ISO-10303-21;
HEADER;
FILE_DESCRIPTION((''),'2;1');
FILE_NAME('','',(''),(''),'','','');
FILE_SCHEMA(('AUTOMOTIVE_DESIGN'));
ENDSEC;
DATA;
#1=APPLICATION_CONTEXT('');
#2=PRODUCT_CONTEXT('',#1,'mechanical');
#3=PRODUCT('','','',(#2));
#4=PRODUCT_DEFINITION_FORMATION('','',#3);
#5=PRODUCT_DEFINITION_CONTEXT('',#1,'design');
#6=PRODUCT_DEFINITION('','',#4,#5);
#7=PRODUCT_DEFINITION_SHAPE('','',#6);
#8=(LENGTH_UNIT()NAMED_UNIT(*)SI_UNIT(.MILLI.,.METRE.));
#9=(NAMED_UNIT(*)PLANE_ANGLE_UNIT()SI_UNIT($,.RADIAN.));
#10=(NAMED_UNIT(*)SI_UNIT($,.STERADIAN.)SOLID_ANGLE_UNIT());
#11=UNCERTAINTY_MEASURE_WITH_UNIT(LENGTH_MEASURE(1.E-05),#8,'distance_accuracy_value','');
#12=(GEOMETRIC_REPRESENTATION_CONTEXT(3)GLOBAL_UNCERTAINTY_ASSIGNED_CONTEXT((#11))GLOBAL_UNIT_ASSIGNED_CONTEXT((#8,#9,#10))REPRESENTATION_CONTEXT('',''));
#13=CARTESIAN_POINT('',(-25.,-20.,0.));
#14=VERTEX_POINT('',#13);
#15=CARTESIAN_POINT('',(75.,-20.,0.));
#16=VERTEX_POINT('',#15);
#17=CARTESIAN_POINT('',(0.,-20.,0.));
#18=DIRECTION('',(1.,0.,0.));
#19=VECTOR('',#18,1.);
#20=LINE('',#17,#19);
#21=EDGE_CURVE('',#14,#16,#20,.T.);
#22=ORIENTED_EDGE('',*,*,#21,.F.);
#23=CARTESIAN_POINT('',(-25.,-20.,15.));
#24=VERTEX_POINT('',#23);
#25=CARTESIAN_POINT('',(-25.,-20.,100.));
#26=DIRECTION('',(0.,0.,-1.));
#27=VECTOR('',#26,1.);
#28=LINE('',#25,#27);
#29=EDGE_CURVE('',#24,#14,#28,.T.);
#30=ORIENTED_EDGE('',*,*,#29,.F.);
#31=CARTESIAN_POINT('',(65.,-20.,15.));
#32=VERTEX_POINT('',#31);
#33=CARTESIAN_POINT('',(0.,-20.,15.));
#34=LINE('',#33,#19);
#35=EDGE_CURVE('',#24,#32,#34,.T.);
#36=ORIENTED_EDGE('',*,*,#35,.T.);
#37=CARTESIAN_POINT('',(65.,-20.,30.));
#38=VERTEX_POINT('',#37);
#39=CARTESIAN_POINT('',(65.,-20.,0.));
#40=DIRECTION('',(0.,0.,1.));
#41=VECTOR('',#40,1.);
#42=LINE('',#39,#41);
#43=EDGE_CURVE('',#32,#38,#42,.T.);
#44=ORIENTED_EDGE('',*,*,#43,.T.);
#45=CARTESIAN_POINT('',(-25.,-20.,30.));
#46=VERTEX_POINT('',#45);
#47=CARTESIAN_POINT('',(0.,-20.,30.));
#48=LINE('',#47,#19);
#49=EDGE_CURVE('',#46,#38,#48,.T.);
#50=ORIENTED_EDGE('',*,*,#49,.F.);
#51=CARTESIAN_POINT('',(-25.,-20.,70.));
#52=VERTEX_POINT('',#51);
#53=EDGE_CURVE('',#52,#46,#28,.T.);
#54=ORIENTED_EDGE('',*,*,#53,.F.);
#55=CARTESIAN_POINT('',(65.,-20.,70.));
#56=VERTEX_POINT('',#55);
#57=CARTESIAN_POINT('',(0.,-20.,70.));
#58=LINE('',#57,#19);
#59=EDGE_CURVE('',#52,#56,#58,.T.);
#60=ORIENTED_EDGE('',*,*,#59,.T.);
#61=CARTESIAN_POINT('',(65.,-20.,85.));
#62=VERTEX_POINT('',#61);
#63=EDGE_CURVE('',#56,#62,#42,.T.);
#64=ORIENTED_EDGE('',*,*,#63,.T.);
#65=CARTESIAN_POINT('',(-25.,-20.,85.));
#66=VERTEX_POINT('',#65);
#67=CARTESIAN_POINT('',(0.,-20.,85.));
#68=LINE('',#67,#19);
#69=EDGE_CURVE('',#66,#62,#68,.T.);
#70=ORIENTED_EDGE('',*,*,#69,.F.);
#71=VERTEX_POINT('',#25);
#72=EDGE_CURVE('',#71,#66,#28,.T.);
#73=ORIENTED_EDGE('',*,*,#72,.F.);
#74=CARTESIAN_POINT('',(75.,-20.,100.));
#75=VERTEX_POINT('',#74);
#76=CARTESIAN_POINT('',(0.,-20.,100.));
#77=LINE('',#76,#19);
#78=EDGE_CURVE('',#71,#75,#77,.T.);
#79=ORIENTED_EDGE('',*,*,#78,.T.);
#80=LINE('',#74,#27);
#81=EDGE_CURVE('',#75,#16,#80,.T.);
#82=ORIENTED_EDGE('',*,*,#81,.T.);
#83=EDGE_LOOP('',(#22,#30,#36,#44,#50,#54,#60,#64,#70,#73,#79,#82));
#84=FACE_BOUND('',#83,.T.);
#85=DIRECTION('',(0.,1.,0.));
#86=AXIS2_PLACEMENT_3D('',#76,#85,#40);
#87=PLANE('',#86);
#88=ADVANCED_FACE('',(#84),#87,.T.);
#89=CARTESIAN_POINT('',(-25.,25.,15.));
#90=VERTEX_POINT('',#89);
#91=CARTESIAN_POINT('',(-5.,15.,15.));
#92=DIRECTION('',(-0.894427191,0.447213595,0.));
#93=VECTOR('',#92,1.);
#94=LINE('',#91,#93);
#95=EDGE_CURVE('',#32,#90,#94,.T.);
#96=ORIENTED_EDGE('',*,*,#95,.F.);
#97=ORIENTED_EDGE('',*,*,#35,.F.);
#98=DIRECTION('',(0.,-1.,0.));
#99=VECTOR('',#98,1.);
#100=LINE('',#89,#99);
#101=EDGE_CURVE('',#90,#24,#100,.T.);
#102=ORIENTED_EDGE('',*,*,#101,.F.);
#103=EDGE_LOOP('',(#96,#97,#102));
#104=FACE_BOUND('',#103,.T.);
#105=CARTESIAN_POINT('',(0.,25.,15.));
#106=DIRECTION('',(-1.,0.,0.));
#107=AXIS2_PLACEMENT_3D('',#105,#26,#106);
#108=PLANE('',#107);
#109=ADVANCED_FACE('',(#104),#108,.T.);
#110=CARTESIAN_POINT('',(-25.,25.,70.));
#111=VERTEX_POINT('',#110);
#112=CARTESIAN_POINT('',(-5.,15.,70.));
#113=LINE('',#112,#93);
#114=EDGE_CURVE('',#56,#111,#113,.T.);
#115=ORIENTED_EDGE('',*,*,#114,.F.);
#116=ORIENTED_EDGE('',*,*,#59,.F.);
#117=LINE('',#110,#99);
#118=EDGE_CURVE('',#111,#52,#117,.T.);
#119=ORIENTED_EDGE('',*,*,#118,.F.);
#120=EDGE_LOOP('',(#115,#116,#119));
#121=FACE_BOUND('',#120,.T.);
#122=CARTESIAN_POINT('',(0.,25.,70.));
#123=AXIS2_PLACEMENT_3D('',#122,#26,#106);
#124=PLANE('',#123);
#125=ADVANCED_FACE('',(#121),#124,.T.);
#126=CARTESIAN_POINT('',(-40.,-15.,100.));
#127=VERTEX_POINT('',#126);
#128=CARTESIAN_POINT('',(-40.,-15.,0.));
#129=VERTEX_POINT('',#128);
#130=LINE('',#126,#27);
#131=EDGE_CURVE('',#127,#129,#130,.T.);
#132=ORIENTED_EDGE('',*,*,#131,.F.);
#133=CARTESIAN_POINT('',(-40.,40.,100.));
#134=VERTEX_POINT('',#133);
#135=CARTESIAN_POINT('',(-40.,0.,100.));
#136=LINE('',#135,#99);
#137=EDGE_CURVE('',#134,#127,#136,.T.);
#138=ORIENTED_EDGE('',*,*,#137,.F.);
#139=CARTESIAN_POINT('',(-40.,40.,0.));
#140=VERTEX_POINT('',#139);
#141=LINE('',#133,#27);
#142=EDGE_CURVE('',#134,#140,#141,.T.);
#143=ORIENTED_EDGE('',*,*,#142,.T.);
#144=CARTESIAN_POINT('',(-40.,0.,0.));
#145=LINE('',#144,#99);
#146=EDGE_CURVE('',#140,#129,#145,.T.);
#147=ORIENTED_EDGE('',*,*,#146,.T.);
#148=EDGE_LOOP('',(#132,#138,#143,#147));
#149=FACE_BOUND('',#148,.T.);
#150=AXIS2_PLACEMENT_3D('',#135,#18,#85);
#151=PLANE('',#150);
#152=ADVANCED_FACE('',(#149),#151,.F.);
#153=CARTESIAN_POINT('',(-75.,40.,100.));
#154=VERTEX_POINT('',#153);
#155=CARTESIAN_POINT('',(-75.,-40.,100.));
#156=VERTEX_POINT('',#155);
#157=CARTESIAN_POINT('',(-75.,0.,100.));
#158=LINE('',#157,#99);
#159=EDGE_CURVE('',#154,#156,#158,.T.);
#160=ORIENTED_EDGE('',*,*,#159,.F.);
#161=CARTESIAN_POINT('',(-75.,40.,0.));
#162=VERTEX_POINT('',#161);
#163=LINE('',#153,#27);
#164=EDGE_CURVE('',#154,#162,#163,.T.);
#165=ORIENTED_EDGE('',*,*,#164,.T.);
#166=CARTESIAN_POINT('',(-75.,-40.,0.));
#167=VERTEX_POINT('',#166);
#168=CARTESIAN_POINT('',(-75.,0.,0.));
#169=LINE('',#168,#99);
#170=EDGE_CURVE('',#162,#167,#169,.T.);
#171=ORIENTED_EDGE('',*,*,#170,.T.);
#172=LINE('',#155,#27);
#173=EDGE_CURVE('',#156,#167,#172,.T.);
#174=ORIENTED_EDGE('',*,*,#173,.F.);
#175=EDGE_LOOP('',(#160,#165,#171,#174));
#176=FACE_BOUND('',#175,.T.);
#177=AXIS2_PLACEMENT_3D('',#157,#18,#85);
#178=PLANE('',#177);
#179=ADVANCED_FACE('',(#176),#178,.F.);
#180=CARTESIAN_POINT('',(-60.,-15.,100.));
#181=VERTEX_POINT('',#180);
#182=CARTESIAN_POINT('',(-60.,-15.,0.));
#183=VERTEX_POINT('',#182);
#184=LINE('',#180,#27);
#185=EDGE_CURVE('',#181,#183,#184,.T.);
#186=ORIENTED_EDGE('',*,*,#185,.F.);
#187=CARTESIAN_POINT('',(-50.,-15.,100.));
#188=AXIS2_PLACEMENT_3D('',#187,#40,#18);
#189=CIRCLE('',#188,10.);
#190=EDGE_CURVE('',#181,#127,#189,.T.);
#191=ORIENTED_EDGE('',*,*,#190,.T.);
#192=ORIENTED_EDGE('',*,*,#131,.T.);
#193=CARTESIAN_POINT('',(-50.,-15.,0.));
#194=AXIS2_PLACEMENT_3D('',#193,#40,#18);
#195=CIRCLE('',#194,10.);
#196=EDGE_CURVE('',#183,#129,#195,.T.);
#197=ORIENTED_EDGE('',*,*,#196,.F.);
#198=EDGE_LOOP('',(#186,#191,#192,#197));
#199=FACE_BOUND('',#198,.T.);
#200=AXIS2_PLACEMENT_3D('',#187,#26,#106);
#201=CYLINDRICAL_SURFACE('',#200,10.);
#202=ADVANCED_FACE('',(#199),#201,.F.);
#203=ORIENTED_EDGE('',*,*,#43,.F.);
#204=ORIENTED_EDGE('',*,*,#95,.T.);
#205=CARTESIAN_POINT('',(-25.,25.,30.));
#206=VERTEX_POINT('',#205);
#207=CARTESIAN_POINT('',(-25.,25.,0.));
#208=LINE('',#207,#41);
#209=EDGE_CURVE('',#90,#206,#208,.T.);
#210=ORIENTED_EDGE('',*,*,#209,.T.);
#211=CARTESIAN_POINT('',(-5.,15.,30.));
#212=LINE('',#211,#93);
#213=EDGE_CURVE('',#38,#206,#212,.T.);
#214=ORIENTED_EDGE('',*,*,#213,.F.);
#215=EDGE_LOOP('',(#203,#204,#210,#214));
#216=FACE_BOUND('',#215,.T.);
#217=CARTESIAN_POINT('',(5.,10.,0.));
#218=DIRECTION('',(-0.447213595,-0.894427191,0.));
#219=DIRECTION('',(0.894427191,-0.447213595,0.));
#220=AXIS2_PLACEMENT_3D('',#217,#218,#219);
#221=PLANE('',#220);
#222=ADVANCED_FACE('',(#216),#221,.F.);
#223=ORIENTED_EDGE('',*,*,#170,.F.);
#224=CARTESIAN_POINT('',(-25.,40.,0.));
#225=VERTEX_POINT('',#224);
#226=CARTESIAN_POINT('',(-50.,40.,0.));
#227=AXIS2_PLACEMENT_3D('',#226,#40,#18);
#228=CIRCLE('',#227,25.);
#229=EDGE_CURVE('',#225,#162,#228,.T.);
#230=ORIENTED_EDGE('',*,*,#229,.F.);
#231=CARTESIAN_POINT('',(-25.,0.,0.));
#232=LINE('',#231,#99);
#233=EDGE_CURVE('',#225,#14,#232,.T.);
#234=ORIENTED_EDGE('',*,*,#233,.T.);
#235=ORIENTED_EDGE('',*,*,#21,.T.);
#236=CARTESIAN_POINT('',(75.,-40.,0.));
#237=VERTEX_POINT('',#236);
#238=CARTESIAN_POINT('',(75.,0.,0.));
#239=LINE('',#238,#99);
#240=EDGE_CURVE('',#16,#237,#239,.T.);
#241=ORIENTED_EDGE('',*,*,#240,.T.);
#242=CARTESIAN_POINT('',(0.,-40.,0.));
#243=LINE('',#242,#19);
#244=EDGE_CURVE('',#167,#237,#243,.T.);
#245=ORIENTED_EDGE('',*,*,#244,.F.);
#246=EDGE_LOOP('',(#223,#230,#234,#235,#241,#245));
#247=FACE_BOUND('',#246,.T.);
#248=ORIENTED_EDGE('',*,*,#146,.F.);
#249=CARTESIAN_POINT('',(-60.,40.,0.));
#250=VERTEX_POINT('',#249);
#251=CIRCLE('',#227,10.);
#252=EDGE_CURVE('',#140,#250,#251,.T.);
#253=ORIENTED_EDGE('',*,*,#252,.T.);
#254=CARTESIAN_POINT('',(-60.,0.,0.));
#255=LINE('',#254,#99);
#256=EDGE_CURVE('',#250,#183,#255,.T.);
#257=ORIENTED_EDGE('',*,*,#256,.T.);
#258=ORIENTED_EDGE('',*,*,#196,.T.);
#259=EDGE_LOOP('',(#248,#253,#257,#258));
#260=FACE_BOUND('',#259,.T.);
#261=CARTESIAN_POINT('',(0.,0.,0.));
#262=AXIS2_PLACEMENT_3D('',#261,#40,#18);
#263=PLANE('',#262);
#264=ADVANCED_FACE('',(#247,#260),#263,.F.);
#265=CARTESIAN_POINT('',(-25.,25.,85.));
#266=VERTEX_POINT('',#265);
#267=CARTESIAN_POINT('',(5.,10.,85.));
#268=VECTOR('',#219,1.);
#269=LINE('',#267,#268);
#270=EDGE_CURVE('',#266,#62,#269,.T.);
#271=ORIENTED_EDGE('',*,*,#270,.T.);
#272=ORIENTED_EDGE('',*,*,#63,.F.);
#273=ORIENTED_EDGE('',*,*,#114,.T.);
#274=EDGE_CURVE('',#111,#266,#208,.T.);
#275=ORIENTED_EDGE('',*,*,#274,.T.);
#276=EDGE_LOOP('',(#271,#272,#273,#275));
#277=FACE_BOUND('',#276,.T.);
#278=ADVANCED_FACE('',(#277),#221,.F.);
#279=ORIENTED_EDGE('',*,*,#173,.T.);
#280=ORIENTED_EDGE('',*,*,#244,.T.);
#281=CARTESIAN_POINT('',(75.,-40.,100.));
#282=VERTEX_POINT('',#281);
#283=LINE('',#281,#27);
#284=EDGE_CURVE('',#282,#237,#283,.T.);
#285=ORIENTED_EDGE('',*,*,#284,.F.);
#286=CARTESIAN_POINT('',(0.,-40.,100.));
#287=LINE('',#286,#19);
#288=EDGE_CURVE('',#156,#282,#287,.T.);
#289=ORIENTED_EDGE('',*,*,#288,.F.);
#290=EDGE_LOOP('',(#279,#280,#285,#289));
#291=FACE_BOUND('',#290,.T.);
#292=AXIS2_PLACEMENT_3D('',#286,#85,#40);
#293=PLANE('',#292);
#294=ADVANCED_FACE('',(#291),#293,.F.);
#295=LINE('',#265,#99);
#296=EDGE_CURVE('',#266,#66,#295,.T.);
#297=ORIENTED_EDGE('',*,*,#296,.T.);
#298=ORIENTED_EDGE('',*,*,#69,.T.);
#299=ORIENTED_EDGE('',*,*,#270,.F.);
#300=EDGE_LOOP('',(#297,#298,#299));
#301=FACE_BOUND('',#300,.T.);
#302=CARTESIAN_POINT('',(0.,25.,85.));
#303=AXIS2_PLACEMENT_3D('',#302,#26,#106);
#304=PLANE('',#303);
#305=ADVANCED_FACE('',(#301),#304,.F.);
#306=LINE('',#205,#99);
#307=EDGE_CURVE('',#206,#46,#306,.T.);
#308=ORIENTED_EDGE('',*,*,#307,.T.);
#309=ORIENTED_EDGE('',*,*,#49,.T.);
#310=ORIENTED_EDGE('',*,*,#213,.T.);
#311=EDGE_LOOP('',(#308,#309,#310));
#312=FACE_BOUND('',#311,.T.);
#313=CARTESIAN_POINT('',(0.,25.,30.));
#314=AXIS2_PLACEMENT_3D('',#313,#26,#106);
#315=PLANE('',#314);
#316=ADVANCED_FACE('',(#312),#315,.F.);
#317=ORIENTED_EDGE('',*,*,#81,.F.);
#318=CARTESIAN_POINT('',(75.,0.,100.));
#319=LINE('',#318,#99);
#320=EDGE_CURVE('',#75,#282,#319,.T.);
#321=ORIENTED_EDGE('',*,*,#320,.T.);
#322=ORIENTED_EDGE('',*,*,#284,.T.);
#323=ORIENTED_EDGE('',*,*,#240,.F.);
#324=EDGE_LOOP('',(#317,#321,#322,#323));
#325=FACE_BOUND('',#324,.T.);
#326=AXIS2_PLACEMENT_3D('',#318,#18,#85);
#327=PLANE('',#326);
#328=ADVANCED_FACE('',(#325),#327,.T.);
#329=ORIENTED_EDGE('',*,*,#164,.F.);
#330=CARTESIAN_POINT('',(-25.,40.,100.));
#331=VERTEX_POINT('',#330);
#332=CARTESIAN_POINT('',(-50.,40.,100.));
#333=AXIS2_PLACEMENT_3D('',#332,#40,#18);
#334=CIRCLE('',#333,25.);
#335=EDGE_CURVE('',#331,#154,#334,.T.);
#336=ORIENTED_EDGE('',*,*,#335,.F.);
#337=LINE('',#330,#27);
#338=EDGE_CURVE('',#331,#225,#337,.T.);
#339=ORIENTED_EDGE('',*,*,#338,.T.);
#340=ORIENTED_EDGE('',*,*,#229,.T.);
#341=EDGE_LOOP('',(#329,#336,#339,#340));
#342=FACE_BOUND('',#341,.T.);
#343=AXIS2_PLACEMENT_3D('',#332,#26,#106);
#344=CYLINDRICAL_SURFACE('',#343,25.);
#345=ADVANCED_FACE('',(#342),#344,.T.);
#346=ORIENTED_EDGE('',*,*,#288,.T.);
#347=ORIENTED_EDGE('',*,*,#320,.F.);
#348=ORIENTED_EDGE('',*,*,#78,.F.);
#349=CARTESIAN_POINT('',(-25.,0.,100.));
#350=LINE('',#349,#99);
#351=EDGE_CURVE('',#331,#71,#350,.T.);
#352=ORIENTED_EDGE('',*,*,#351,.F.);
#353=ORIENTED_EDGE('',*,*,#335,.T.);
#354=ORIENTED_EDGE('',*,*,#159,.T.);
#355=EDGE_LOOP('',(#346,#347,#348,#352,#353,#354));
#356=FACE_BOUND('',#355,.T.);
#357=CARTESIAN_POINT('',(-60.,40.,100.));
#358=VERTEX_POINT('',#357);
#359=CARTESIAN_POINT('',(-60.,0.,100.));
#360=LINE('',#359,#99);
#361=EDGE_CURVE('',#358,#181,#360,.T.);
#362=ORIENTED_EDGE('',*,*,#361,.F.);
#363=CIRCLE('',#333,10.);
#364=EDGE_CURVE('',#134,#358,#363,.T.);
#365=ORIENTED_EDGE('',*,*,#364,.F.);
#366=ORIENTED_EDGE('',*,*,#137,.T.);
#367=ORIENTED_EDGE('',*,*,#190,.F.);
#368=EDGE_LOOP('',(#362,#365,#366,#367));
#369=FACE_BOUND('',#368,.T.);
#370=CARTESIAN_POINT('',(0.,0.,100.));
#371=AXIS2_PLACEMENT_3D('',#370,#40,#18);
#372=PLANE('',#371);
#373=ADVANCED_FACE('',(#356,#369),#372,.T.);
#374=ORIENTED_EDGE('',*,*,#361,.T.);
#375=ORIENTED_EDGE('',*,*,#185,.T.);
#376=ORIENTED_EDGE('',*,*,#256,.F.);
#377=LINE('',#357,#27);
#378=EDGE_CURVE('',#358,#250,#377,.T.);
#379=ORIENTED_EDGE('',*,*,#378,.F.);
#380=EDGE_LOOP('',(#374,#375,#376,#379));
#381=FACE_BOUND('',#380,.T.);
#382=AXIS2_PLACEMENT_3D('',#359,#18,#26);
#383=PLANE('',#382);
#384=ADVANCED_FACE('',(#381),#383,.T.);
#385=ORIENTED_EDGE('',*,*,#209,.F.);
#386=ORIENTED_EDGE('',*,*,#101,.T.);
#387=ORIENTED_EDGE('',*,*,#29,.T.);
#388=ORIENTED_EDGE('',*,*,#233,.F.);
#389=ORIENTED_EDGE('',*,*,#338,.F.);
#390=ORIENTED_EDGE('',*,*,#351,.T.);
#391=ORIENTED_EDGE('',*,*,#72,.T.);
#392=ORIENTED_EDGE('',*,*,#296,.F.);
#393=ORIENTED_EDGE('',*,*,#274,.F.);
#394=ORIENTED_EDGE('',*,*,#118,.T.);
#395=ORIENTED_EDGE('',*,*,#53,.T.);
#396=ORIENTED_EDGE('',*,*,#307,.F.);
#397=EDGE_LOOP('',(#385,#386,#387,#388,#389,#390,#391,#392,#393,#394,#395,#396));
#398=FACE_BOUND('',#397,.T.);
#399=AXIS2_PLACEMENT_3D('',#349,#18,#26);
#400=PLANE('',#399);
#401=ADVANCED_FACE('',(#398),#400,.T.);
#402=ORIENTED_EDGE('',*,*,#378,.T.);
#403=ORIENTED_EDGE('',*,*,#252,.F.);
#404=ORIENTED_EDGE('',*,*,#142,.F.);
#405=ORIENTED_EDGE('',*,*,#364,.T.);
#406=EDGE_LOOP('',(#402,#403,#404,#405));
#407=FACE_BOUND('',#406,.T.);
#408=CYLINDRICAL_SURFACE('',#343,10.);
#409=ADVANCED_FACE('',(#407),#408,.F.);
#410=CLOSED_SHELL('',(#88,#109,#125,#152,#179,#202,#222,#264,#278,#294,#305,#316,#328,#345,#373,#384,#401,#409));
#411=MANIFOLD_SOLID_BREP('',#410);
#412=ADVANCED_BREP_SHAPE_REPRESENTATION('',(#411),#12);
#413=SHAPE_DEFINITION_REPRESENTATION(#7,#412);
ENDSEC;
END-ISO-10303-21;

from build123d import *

# Parameters (mm, degrees)
SKETCH1_W           = 100
SKETCH1_H           = 20
BOSS_EXTRUDE1_DEPTH = 100
SKETCH2_W           = 90
SKETCH2_H           = 15
BOSS_EXTRUDE2_DEPTH = 45
CUT_EXTRUDE1_DEPTH  = 86


with BuildPart() as part:
    # Sketch1 → Boss-Extrude1 (new body)
    with BuildSketch(Plane.XY):
        with Locations((25, -30)):
            Rectangle(SKETCH1_W, SKETCH1_H)
        with BuildLine():
            ThreePointArc((-60, 17.087121525), (-70.916500663, 26.306936062), (-75, 40))
            Line((-75, 40), (-75, -40))
            Line((-75, -40), (-25, -40))
            Line((-25, -40), (-25, -20))
            Line((-25, -20), (-25, 40))
            ThreePointArc((-25, 40), (-29.083499337, 26.306936062), (-40, 17.087121525))
            Line((-40, 17.087121525), (-40, -15))
            ThreePointArc((-40, -15), (-50, -25), (-60, -15))
            Line((-60, -15), (-60, 17.087121525))
        make_face()
        with BuildLine():
            ThreePointArc((-40, 17.087121525), (-29.083499337, 26.306936062), (-25, 40))
            Line((-25, 40), (-40, 40))
            Line((-40, 40), (-40, 17.087121525))
        make_face()
        with BuildLine():
            ThreePointArc((-25, 40), (-50, 65), (-75, 40))
            Line((-75, 40), (-60, 40))
            ThreePointArc((-60, 40), (-50, 50), (-40, 40))
            Line((-40, 40), (-25, 40))
        make_face()
        with BuildLine():
            Line((-60, 40), (-75, 40))
            ThreePointArc((-75, 40), (-70.916500663, 26.306936062), (-60, 17.087121525))
            Line((-60, 17.087121525), (-60, 40))
        make_face()
    extrude(amount=BOSS_EXTRUDE1_DEPTH)

    # Sketch2 → Boss-Extrude2 (add)
    with BuildSketch(Plane(origin=(0, -20, 0), x_dir=(1, 0, 0), z_dir=(0, 1, 0))):
        with Locations((20, -77.5)):
            Rectangle(SKETCH2_W, SKETCH2_H)
        with Locations((20, -22.5)):
            Rectangle(SKETCH2_W, SKETCH2_H)
    extrude(amount=BOSS_EXTRUDE2_DEPTH)

    # Sketch3 → Cut-Extrude1 (cut, through all)
    with BuildSketch(Plane.XY.offset(85)):
        Polygon((-25, 25), (65, -20), (65, 25), align=None)
    extrude(amount=-CUT_EXTRUDE1_DEPTH, mode=Mode.SUBTRACT)


solid = part.part
